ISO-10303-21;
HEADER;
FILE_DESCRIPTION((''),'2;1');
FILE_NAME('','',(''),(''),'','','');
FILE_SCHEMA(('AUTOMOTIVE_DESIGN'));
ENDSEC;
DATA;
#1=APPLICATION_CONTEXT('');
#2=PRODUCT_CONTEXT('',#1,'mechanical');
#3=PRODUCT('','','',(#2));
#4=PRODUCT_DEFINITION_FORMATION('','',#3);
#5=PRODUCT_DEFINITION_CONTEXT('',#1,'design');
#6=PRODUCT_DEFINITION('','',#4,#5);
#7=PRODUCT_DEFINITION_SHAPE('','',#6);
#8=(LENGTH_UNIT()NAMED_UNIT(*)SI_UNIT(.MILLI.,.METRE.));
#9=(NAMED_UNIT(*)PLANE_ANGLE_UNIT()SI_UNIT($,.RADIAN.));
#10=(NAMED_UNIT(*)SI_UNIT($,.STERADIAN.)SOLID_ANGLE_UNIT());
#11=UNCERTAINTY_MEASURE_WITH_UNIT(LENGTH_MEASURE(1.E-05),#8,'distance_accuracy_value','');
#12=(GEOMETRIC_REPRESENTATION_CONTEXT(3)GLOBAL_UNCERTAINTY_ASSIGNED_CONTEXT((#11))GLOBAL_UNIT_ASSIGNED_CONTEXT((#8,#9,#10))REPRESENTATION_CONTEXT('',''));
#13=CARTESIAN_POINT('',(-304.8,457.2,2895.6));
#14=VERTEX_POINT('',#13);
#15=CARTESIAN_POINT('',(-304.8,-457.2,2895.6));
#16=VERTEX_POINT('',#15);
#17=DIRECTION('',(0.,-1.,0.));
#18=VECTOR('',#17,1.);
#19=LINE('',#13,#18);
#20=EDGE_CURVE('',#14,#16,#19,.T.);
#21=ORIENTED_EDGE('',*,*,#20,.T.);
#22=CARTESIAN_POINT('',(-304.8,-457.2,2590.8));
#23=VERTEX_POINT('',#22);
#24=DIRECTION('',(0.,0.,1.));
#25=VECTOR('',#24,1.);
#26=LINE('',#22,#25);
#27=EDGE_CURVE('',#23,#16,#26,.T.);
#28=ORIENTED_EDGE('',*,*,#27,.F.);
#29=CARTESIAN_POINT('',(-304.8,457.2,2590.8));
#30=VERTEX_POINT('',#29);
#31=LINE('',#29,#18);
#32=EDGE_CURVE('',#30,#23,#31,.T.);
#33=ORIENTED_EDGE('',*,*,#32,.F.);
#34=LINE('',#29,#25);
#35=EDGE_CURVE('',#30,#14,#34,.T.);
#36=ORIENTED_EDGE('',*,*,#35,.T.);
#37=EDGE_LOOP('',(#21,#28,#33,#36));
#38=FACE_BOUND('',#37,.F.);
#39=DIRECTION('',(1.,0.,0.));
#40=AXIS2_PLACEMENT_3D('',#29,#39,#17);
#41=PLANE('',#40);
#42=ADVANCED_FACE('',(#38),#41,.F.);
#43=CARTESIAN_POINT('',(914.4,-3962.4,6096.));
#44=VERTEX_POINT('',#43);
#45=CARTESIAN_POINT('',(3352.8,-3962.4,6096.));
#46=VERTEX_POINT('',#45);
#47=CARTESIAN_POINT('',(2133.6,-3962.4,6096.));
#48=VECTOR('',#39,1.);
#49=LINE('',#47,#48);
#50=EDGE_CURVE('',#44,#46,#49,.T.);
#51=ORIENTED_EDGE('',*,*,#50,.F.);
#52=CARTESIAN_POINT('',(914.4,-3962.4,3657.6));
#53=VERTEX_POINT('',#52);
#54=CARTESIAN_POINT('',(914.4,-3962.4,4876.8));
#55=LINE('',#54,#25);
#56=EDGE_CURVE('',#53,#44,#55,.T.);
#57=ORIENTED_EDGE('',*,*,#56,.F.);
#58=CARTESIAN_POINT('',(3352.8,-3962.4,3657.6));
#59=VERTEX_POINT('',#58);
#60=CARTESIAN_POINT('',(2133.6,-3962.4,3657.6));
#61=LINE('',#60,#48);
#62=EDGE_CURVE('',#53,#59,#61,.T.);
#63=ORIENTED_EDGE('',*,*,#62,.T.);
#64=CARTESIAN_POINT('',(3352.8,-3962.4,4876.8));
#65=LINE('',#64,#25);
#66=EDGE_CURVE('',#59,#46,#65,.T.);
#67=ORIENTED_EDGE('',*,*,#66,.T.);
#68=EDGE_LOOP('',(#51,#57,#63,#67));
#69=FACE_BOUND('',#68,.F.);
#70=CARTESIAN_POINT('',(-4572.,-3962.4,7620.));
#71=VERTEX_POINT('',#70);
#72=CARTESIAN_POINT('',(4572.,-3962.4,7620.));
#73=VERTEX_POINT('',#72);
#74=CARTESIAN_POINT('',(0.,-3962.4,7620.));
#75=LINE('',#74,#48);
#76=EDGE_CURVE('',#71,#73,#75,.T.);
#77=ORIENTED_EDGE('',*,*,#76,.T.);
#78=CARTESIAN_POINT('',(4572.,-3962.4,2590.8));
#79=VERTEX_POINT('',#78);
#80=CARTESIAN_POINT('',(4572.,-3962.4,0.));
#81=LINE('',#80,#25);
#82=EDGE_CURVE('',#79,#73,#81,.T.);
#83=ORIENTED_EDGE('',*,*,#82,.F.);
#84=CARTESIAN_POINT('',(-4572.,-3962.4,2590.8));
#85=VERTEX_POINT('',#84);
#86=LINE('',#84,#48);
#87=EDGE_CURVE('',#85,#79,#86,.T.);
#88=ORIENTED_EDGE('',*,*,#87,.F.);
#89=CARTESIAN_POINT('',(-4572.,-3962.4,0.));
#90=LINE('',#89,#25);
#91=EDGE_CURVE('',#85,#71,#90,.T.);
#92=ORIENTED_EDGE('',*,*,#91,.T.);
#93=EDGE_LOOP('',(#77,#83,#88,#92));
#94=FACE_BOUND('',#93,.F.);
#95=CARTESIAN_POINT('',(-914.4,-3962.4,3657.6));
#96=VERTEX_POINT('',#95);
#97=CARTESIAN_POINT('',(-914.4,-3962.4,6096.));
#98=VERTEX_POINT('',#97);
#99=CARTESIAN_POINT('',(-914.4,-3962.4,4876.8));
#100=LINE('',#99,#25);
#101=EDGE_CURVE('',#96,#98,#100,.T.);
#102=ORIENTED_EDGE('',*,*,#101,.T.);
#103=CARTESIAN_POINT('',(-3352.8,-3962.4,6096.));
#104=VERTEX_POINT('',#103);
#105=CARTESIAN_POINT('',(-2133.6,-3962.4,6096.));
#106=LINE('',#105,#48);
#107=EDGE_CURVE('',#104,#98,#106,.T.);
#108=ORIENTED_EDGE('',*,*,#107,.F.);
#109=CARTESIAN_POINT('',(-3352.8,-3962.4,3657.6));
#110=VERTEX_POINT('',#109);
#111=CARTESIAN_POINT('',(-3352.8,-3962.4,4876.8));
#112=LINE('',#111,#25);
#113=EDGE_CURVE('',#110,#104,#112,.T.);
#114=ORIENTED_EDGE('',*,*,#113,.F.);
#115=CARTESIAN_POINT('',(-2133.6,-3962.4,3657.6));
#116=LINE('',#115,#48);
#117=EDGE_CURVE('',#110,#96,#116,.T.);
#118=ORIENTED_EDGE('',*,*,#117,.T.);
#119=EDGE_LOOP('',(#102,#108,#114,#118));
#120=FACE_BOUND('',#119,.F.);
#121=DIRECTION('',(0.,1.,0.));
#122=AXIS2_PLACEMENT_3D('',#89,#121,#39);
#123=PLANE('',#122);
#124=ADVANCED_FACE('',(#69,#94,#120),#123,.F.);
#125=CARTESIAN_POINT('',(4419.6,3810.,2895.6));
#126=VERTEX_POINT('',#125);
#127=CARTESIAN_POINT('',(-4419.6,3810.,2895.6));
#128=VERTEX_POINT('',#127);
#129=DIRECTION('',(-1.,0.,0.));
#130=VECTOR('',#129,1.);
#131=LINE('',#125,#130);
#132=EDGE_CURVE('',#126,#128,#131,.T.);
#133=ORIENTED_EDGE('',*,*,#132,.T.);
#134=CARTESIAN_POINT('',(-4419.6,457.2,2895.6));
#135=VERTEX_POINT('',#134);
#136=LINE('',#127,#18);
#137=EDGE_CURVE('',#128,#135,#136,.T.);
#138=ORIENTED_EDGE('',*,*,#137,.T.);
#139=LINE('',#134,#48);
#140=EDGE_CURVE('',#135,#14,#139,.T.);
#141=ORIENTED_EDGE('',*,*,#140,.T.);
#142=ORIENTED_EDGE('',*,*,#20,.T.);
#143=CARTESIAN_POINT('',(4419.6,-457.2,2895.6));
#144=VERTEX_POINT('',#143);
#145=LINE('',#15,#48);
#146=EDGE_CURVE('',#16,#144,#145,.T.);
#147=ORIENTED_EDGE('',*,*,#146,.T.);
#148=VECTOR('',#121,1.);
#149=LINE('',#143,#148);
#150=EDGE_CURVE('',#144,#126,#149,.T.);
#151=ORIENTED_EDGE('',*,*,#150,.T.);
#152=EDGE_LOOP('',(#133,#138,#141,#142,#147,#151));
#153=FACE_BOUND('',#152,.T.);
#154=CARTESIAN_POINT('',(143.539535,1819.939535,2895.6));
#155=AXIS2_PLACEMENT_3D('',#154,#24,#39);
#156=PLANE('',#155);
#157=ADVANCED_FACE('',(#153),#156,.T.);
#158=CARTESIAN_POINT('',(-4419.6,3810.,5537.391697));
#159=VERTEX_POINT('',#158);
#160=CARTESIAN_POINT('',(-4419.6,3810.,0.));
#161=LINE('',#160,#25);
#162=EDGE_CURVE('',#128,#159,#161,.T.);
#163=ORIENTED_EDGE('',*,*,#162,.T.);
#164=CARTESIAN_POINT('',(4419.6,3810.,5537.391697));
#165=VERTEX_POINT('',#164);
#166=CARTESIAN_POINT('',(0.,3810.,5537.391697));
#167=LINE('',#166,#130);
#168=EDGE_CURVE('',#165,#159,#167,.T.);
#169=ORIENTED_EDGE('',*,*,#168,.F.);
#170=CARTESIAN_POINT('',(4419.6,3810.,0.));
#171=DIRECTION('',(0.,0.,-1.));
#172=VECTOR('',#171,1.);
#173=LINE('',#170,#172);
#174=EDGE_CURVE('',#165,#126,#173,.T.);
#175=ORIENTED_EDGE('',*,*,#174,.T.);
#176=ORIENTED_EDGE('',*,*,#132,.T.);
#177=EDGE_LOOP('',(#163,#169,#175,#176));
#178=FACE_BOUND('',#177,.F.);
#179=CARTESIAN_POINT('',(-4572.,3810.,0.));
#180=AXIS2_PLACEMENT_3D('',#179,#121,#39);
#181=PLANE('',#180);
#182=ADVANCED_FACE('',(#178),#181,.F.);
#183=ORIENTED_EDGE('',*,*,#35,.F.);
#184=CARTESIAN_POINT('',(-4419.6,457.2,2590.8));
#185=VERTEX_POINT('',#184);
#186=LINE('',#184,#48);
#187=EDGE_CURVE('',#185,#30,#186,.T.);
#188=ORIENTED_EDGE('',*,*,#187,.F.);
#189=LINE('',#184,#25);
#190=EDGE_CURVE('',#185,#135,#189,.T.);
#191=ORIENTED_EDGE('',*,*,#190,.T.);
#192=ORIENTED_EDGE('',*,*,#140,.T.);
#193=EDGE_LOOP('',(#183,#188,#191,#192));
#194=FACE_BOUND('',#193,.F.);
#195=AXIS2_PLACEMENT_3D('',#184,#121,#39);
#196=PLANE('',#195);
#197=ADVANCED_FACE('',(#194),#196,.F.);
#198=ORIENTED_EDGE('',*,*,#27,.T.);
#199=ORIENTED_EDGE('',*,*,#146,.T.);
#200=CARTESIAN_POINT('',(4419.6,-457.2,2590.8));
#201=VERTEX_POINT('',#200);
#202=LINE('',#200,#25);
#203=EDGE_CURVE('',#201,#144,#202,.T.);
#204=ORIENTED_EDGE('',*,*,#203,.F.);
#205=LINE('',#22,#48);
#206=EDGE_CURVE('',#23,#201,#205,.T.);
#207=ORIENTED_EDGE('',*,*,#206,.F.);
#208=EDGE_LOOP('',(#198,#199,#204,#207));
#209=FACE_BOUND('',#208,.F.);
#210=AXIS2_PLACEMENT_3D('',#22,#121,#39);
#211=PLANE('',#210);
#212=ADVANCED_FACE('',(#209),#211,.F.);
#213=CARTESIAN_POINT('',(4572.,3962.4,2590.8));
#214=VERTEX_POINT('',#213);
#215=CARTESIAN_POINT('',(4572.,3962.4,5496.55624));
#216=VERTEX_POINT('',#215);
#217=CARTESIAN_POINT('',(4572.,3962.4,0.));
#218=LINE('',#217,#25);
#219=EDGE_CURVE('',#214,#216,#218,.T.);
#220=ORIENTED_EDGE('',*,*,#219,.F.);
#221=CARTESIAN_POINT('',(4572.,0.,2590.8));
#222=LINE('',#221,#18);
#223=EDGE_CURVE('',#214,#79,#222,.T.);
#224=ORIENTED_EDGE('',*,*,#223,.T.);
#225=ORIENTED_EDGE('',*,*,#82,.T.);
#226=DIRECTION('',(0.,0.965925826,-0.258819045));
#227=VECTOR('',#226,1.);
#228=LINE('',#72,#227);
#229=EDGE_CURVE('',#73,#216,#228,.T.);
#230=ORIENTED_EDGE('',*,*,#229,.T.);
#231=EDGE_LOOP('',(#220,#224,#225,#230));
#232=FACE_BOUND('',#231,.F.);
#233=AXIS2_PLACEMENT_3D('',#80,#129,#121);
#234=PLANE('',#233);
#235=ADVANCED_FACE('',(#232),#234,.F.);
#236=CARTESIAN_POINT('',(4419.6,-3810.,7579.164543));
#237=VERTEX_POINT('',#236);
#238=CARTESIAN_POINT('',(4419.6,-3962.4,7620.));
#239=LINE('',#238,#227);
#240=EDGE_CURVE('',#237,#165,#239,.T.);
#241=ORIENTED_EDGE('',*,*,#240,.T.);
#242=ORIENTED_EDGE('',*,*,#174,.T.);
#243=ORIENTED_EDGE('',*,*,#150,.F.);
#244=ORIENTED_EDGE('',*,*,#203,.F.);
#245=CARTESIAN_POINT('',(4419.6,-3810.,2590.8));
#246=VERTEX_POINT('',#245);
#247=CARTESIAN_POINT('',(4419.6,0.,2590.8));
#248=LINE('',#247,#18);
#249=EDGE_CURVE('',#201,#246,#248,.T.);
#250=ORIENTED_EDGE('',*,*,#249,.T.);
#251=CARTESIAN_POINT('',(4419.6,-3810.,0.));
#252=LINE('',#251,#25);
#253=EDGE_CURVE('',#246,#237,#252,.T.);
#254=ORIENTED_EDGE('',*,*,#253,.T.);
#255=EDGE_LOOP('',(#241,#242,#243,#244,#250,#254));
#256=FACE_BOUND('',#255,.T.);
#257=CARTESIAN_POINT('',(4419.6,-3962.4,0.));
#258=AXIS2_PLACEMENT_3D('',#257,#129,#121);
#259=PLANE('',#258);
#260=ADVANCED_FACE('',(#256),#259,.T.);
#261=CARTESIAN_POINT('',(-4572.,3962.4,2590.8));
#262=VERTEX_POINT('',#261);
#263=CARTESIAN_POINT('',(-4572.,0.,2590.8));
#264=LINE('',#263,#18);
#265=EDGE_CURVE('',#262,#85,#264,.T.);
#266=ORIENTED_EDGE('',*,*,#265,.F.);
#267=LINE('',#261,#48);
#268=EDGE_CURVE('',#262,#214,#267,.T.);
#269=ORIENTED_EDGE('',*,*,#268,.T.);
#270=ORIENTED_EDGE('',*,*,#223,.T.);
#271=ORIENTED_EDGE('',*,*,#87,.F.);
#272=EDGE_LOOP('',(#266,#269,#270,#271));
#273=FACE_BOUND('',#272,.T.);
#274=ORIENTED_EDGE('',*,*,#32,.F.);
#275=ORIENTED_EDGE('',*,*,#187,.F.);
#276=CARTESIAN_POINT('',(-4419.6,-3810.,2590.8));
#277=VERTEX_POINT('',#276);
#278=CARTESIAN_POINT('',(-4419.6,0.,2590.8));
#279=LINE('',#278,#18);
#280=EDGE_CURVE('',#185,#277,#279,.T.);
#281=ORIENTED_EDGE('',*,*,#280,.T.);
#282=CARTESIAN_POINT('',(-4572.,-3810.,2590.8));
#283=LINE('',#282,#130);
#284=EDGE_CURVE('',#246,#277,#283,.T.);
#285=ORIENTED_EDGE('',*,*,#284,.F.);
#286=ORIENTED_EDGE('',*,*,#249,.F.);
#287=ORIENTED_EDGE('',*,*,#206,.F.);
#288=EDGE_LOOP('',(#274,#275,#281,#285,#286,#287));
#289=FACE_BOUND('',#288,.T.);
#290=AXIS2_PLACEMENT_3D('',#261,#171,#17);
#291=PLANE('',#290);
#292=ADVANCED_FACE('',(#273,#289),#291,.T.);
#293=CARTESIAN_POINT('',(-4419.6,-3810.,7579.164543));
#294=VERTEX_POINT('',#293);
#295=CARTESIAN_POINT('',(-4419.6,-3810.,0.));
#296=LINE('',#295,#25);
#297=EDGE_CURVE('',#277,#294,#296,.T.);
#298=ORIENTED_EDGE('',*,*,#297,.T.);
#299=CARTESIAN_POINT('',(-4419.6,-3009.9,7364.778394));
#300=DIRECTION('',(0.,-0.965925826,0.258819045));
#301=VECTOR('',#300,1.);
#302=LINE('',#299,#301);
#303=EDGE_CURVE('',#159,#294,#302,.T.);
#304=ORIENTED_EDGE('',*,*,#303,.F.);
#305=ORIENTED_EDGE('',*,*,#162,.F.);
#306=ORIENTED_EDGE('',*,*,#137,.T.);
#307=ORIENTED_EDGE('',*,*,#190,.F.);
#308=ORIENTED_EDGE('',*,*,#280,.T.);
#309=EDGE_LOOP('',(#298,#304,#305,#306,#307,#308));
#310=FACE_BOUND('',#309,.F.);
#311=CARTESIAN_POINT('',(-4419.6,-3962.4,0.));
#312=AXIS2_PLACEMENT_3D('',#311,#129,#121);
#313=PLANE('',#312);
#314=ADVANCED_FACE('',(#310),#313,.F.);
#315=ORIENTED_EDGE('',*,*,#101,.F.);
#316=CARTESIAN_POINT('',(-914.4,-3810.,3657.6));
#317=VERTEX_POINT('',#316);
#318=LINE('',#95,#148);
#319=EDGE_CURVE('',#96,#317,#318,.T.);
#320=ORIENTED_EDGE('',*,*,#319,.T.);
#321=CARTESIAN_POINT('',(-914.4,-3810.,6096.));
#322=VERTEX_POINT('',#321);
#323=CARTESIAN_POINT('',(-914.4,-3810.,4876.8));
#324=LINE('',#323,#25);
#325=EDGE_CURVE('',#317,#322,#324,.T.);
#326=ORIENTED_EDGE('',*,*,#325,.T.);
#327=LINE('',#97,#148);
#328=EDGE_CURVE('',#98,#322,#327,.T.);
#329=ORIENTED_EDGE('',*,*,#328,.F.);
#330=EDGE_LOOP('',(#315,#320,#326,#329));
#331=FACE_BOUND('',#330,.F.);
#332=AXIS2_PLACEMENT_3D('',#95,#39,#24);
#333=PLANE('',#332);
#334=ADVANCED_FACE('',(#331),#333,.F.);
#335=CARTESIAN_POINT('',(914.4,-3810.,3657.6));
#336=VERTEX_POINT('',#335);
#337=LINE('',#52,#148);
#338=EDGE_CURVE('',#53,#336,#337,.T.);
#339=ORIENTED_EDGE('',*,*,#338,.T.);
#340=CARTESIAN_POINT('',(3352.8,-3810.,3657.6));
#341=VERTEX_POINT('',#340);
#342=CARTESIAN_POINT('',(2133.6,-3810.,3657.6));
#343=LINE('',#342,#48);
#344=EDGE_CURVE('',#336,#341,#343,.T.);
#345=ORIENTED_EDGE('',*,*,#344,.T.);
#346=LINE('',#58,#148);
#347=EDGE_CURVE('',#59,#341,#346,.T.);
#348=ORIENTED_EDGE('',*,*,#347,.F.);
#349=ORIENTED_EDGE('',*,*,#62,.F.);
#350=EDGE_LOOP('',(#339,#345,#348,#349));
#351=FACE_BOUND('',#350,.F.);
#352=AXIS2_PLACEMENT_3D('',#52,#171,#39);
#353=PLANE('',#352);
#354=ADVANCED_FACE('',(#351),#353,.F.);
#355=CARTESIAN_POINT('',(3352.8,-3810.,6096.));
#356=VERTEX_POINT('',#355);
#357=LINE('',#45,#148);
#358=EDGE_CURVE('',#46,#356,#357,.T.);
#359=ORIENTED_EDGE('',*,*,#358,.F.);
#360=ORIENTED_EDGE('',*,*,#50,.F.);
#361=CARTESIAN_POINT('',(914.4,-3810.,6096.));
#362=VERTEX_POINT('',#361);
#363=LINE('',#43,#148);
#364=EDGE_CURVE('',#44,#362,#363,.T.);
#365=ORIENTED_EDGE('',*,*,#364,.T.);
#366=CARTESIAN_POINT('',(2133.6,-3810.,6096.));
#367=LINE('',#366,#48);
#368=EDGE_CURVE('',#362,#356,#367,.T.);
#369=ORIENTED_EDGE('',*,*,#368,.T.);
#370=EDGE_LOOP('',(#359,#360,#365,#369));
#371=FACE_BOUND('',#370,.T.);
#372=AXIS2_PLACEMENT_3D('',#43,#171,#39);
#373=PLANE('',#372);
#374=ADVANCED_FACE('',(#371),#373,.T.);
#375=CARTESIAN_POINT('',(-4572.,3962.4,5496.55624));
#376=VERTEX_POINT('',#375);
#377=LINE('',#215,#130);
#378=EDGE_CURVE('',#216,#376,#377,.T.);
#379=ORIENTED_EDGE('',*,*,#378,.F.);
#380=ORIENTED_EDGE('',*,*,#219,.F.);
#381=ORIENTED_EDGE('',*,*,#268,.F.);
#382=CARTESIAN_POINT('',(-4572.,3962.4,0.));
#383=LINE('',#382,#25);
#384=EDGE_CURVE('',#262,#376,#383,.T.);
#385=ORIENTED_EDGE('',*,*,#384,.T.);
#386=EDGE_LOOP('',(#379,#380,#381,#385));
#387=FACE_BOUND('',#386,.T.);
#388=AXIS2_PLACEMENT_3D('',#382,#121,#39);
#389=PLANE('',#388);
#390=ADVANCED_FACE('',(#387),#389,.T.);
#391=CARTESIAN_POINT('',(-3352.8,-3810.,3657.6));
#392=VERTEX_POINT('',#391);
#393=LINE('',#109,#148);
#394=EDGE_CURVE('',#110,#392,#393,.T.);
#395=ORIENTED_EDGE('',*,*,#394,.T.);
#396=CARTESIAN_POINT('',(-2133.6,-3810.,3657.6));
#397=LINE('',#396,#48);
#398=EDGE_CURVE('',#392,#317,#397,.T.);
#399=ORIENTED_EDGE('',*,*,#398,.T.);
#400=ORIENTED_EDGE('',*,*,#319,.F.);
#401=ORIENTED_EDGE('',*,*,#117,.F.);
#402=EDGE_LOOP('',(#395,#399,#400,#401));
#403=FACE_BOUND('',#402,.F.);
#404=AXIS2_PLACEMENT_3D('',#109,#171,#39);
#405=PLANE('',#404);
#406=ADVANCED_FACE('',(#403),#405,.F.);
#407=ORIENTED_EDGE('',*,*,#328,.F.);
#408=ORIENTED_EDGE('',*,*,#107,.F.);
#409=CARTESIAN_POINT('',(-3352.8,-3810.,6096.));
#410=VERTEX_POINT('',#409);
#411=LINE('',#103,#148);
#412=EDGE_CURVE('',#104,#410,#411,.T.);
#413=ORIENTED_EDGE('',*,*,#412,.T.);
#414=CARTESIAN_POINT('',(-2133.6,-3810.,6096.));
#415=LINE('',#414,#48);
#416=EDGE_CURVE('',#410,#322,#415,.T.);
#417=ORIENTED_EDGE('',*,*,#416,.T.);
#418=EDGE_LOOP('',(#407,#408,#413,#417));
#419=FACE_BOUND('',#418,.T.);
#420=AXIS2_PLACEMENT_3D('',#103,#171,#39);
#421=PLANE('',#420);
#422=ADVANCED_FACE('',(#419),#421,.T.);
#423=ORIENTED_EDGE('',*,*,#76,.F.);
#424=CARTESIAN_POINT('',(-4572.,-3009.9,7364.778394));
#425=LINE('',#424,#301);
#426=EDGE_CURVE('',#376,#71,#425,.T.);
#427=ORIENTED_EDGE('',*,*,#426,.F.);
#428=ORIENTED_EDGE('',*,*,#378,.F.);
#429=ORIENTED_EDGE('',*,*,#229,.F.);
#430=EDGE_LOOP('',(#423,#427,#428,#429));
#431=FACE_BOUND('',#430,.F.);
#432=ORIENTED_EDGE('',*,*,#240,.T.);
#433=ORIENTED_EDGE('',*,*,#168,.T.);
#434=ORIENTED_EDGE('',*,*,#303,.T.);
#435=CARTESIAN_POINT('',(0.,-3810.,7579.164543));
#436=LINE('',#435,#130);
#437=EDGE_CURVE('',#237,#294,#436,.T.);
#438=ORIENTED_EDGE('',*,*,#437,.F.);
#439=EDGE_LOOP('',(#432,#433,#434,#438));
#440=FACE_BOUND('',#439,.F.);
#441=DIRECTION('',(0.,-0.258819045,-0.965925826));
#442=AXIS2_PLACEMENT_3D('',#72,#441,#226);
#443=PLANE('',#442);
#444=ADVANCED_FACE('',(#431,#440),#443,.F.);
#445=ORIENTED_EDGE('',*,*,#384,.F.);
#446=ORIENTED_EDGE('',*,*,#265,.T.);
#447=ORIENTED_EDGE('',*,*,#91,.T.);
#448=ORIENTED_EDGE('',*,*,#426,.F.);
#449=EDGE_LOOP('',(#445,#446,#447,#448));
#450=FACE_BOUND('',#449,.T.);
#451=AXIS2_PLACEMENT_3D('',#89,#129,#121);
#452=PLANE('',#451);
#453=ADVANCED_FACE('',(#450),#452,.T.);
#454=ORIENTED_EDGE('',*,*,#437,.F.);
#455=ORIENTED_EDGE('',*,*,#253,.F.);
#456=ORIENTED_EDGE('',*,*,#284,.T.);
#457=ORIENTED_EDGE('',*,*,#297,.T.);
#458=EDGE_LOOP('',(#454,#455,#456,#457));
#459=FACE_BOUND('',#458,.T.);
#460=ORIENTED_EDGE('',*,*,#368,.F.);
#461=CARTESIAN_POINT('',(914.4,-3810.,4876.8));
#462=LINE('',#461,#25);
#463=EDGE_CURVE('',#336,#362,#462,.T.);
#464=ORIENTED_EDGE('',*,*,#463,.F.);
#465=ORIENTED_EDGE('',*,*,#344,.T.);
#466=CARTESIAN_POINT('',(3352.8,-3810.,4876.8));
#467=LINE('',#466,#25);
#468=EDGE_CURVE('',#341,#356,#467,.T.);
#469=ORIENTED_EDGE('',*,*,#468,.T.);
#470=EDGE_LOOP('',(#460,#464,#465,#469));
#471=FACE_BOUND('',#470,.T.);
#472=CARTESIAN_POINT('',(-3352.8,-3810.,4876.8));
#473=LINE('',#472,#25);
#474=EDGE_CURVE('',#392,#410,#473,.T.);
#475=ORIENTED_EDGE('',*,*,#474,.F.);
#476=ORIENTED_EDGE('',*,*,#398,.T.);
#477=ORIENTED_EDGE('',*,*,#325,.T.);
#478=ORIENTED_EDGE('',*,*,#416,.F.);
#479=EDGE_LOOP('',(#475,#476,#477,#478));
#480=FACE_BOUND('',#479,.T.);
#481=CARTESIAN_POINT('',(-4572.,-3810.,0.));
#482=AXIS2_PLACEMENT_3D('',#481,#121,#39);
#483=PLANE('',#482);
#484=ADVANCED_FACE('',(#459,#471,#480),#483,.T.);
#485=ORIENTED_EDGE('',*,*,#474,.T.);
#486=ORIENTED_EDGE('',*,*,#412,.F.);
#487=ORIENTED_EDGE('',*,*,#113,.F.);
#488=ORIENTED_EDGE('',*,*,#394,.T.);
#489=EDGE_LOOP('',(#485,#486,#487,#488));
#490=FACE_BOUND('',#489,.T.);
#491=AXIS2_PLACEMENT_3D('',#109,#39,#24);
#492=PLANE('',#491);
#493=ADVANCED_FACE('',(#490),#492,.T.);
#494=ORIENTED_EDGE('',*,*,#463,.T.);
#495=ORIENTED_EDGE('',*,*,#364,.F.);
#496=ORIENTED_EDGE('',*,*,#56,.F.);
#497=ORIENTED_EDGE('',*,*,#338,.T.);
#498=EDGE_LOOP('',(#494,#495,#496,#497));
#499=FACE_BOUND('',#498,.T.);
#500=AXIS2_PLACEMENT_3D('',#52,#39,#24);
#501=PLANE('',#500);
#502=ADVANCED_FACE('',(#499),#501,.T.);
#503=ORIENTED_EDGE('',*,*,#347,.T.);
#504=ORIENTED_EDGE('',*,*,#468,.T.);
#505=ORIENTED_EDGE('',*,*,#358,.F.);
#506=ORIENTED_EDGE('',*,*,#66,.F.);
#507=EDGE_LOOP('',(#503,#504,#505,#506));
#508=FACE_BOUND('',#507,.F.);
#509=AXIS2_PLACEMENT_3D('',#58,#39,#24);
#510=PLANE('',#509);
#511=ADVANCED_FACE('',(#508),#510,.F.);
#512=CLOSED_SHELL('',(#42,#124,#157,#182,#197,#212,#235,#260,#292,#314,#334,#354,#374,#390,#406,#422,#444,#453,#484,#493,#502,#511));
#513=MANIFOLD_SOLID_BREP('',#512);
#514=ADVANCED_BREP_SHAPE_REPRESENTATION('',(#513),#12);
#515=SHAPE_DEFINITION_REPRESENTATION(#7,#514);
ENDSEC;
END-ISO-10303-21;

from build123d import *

# Parameters (mm, degrees)
F0_W      = 9144
F0_H      = 7924.8
F1_DEPTH  = 7620
F3_DEPTH  = 9144.001
F4_T      = -152.4
F5_W      = 914.4
F5_H      = 2133.6
F5_W_2    = 2438.4
F5_H_2    = 2438.4
F5_W_3    = 1828.8
F5_H_3    = 1524
F6_DEPTH  = 152.4
F9_DEPTH  = 304.8
F10_W     = 7924.8
F10_H     = 2590.8
F11_DEPTH = 9144.001


with BuildPart() as f1:
    # F0 (on Top) → F1 (new body)
    with BuildSketch(Plane.XY):
        Rectangle(F0_W, F0_H)
    extrude(amount=F1_DEPTH)

    # F2 (on face) → F3 (cut, through all)
    with BuildSketch(Plane.YZ.offset(4572)):
        Polygon((3962.4, 7620), (-3962.4, 7620), (3962.4, 5496.5562398218), align=None)
    extrude(amount=-F3_DEPTH, mode=Mode.SUBTRACT)

    # F4
    f4_openings = [f1.faces().sort_by_distance(p)[0] for p in [
        (0, 0, 6558.27812),
    ]]
    offset(amount=F4_T, openings=f4_openings)

    # F5 (on face) → F6 (cut, through all)
    with BuildSketch(Plane.XZ.offset(3962.4)):
        with Locations((0, 1219.2)):
            Rectangle(F5_W, F5_H)
        with Locations((-2133.6, 4876.8)):
            Rectangle(F5_W_2, F5_H_2)
        with Locations((2133.6, 4876.8)):
            Rectangle(F5_W_2, F5_H_2)
        with Locations((-2438.4, 1676.4)):
            Rectangle(F5_W_3, F5_H_3)
        with Locations((2438.4, 1676.4)):
            Rectangle(F5_W_3, F5_H_3)
    extrude(amount=-F6_DEPTH, mode=Mode.SUBTRACT)

    # F8 (on offset) → F9 (join)
    with BuildSketch(Plane.XY.offset(2590.8)):
        Polygon((4419.6, 3810), (-4419.6, 3810), (-4419.6, 457.2), (-304.8, 457.2), (-304.8, -457.2), (4419.6, -457.2), align=None)
    extrude(amount=F9_DEPTH)

    # F10 (on face) → F11 (cut, through all)
    with BuildSketch(Plane(origin=(-4572, 0, 0), x_dir=(0, -1, 0), z_dir=(-1, 0, 0))):
        with Locations((0, 1295.4)):
            Rectangle(F10_W, F10_H)
    extrude(amount=-F11_DEPTH, mode=Mode.SUBTRACT)


solid = f1.part
